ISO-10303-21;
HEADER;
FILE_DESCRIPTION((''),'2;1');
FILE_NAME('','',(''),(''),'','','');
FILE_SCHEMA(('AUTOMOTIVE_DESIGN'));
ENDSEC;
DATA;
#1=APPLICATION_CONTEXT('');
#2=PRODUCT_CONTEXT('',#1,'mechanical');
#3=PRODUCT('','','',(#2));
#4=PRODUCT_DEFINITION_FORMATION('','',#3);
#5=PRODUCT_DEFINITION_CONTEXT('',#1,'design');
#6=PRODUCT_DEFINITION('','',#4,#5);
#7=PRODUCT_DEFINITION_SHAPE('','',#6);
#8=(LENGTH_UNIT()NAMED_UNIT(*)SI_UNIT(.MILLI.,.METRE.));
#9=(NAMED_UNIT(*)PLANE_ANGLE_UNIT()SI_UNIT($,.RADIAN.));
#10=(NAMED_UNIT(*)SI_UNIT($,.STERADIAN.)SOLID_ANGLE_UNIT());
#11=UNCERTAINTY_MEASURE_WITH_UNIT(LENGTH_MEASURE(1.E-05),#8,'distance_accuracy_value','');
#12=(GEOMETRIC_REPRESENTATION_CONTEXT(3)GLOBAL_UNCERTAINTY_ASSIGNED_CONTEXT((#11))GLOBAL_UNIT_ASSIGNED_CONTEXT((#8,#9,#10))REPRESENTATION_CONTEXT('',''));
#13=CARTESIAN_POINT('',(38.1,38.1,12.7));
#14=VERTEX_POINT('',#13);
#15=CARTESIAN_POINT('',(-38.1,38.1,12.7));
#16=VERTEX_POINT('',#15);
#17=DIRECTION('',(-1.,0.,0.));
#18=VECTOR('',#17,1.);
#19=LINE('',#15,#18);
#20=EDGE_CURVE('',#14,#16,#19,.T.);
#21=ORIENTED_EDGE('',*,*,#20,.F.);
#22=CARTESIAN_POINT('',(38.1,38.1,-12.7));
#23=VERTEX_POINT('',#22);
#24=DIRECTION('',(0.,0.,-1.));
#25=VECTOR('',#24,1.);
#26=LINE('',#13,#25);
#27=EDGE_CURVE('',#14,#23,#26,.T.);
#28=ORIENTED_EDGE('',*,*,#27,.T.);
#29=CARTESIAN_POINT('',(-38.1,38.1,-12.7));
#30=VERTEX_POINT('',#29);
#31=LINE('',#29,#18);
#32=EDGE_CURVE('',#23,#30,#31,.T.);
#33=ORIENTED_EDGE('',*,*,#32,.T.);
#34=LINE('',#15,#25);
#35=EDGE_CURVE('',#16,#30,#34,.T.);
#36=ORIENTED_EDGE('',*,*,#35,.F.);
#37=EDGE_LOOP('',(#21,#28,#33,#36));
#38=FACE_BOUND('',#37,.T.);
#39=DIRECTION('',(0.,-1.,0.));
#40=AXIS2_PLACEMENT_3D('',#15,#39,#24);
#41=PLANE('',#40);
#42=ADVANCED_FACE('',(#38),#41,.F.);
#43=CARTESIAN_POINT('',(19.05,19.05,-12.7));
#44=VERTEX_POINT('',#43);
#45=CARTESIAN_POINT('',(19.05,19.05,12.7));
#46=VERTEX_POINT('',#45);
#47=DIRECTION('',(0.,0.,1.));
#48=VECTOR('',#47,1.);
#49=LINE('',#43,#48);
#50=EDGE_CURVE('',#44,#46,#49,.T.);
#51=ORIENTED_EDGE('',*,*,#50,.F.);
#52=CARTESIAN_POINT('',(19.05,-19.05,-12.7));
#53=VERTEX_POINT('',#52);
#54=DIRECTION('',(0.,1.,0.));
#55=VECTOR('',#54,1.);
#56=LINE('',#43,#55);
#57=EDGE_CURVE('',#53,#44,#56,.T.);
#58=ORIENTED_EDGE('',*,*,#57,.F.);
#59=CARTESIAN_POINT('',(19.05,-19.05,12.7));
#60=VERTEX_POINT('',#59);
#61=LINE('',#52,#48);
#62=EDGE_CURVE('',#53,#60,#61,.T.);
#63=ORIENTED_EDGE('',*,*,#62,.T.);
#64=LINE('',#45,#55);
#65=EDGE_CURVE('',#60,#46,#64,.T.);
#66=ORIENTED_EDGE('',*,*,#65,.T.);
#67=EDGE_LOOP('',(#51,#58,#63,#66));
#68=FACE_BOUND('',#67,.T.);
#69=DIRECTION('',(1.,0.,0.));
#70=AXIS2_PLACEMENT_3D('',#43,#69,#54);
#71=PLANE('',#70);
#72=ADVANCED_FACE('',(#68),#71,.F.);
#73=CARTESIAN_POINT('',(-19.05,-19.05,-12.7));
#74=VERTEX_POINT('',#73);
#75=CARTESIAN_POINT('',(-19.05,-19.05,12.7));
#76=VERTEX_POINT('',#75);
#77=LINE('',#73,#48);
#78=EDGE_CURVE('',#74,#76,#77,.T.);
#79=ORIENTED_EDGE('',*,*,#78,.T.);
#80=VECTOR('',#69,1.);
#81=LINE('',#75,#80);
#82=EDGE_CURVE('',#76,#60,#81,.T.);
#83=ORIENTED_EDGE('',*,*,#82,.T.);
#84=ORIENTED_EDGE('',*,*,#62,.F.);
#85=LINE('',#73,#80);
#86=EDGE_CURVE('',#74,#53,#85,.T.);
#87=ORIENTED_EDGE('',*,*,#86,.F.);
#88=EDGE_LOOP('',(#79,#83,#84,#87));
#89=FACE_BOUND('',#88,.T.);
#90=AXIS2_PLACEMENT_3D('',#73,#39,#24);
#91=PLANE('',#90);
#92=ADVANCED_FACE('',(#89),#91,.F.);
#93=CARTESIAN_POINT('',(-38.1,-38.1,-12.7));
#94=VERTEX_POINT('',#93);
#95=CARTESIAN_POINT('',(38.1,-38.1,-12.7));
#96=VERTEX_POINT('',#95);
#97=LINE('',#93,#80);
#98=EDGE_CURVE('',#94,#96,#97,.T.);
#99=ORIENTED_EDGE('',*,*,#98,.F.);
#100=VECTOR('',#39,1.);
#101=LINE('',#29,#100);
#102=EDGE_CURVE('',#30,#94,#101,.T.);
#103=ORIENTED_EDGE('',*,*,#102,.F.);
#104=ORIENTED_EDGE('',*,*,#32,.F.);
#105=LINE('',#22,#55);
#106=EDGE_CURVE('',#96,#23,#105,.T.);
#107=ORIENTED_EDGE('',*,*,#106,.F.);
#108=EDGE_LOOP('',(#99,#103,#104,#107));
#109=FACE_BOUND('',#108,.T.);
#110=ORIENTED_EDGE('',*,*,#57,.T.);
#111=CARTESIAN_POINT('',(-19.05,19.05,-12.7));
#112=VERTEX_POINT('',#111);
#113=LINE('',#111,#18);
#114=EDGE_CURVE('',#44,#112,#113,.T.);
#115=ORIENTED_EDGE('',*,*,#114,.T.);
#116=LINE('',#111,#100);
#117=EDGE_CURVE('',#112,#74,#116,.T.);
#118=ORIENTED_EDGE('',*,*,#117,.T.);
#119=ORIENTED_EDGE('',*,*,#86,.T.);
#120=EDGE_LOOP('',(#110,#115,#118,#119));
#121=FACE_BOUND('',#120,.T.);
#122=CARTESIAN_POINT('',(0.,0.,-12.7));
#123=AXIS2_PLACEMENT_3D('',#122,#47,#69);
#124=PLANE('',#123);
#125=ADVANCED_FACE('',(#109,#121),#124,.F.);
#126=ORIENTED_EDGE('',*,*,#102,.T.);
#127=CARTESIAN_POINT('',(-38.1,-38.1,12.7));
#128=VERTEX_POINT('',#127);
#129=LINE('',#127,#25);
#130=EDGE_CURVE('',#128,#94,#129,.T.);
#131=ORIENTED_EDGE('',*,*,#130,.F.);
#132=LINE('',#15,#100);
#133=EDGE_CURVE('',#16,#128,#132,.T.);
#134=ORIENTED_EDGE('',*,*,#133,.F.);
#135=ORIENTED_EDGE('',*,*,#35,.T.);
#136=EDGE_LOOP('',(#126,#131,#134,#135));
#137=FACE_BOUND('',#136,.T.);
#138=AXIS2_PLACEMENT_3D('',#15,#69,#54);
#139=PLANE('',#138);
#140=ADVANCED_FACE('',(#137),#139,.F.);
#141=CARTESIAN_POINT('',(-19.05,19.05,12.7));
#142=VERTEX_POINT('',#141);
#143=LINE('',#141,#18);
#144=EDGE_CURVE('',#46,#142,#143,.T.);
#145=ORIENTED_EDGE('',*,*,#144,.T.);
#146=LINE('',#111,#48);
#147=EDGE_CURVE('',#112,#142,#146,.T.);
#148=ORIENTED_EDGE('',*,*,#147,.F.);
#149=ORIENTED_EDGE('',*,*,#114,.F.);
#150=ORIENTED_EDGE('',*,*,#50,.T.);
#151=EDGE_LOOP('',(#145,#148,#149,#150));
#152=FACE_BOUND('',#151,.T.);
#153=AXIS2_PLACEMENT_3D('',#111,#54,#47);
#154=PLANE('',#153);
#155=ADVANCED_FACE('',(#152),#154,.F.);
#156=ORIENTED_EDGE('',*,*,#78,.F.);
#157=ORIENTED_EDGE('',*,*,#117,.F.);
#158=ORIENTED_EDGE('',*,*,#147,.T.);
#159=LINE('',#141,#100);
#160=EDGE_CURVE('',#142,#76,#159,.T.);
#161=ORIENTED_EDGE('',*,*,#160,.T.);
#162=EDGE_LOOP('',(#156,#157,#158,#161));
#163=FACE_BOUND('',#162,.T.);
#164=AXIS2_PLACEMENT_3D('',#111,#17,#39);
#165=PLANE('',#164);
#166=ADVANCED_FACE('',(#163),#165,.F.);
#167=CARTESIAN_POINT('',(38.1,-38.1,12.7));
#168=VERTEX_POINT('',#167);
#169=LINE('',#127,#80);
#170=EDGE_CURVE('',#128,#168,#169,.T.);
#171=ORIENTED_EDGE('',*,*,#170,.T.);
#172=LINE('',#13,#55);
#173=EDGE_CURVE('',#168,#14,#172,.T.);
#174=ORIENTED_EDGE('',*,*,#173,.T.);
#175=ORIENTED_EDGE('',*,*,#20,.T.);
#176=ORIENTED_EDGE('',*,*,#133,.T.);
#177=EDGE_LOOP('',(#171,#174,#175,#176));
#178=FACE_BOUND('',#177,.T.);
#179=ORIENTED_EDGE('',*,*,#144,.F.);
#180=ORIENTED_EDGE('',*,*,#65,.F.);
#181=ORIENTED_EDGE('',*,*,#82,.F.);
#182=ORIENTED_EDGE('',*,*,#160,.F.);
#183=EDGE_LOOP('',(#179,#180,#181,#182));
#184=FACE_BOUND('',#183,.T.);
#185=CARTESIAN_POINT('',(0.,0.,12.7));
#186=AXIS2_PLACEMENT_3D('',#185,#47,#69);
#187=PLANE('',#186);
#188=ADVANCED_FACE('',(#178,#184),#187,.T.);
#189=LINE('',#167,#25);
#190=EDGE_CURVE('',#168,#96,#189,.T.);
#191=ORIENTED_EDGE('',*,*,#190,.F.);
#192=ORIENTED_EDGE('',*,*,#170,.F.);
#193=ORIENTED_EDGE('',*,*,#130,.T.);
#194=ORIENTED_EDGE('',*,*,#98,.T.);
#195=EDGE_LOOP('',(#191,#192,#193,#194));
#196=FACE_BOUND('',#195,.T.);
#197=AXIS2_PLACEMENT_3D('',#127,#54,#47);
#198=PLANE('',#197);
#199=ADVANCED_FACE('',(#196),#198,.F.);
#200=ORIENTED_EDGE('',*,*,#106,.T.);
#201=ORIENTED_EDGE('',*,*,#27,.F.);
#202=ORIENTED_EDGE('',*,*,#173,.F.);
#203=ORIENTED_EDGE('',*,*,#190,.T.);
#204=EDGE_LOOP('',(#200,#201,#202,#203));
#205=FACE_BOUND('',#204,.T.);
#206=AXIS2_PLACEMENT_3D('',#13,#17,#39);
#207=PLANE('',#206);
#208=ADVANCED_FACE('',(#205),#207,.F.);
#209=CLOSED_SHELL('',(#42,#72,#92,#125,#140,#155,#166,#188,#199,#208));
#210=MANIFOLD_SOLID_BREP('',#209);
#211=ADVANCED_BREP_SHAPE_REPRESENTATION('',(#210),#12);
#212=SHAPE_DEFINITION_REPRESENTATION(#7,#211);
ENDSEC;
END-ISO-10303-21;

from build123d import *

# Parameters (mm, degrees)
SKETCH1_W           = 76.2
SKETCH1_H           = 76.2
BOSS_EXTRUDE1_DEPTH = 12.7
SKETCH2_W           = 38.1
SKETCH2_H           = 38.1
CUT_EXTRUDE1_DEPTH  = 26.4


with BuildPart() as part:
    # Sketch1 → Boss-Extrude1 (new body, symmetric)
    with BuildSketch(Plane.XY):
        Rectangle(SKETCH1_W, SKETCH1_H)
    extrude(amount=BOSS_EXTRUDE1_DEPTH, both=True)

    # Sketch2 → Cut-Extrude1 (cut, through all)
    with BuildSketch(Plane.XY.offset(12.7)):
        Rectangle(SKETCH2_W, SKETCH2_H)
    extrude(amount=-CUT_EXTRUDE1_DEPTH, mode=Mode.SUBTRACT)


solid = part.part
